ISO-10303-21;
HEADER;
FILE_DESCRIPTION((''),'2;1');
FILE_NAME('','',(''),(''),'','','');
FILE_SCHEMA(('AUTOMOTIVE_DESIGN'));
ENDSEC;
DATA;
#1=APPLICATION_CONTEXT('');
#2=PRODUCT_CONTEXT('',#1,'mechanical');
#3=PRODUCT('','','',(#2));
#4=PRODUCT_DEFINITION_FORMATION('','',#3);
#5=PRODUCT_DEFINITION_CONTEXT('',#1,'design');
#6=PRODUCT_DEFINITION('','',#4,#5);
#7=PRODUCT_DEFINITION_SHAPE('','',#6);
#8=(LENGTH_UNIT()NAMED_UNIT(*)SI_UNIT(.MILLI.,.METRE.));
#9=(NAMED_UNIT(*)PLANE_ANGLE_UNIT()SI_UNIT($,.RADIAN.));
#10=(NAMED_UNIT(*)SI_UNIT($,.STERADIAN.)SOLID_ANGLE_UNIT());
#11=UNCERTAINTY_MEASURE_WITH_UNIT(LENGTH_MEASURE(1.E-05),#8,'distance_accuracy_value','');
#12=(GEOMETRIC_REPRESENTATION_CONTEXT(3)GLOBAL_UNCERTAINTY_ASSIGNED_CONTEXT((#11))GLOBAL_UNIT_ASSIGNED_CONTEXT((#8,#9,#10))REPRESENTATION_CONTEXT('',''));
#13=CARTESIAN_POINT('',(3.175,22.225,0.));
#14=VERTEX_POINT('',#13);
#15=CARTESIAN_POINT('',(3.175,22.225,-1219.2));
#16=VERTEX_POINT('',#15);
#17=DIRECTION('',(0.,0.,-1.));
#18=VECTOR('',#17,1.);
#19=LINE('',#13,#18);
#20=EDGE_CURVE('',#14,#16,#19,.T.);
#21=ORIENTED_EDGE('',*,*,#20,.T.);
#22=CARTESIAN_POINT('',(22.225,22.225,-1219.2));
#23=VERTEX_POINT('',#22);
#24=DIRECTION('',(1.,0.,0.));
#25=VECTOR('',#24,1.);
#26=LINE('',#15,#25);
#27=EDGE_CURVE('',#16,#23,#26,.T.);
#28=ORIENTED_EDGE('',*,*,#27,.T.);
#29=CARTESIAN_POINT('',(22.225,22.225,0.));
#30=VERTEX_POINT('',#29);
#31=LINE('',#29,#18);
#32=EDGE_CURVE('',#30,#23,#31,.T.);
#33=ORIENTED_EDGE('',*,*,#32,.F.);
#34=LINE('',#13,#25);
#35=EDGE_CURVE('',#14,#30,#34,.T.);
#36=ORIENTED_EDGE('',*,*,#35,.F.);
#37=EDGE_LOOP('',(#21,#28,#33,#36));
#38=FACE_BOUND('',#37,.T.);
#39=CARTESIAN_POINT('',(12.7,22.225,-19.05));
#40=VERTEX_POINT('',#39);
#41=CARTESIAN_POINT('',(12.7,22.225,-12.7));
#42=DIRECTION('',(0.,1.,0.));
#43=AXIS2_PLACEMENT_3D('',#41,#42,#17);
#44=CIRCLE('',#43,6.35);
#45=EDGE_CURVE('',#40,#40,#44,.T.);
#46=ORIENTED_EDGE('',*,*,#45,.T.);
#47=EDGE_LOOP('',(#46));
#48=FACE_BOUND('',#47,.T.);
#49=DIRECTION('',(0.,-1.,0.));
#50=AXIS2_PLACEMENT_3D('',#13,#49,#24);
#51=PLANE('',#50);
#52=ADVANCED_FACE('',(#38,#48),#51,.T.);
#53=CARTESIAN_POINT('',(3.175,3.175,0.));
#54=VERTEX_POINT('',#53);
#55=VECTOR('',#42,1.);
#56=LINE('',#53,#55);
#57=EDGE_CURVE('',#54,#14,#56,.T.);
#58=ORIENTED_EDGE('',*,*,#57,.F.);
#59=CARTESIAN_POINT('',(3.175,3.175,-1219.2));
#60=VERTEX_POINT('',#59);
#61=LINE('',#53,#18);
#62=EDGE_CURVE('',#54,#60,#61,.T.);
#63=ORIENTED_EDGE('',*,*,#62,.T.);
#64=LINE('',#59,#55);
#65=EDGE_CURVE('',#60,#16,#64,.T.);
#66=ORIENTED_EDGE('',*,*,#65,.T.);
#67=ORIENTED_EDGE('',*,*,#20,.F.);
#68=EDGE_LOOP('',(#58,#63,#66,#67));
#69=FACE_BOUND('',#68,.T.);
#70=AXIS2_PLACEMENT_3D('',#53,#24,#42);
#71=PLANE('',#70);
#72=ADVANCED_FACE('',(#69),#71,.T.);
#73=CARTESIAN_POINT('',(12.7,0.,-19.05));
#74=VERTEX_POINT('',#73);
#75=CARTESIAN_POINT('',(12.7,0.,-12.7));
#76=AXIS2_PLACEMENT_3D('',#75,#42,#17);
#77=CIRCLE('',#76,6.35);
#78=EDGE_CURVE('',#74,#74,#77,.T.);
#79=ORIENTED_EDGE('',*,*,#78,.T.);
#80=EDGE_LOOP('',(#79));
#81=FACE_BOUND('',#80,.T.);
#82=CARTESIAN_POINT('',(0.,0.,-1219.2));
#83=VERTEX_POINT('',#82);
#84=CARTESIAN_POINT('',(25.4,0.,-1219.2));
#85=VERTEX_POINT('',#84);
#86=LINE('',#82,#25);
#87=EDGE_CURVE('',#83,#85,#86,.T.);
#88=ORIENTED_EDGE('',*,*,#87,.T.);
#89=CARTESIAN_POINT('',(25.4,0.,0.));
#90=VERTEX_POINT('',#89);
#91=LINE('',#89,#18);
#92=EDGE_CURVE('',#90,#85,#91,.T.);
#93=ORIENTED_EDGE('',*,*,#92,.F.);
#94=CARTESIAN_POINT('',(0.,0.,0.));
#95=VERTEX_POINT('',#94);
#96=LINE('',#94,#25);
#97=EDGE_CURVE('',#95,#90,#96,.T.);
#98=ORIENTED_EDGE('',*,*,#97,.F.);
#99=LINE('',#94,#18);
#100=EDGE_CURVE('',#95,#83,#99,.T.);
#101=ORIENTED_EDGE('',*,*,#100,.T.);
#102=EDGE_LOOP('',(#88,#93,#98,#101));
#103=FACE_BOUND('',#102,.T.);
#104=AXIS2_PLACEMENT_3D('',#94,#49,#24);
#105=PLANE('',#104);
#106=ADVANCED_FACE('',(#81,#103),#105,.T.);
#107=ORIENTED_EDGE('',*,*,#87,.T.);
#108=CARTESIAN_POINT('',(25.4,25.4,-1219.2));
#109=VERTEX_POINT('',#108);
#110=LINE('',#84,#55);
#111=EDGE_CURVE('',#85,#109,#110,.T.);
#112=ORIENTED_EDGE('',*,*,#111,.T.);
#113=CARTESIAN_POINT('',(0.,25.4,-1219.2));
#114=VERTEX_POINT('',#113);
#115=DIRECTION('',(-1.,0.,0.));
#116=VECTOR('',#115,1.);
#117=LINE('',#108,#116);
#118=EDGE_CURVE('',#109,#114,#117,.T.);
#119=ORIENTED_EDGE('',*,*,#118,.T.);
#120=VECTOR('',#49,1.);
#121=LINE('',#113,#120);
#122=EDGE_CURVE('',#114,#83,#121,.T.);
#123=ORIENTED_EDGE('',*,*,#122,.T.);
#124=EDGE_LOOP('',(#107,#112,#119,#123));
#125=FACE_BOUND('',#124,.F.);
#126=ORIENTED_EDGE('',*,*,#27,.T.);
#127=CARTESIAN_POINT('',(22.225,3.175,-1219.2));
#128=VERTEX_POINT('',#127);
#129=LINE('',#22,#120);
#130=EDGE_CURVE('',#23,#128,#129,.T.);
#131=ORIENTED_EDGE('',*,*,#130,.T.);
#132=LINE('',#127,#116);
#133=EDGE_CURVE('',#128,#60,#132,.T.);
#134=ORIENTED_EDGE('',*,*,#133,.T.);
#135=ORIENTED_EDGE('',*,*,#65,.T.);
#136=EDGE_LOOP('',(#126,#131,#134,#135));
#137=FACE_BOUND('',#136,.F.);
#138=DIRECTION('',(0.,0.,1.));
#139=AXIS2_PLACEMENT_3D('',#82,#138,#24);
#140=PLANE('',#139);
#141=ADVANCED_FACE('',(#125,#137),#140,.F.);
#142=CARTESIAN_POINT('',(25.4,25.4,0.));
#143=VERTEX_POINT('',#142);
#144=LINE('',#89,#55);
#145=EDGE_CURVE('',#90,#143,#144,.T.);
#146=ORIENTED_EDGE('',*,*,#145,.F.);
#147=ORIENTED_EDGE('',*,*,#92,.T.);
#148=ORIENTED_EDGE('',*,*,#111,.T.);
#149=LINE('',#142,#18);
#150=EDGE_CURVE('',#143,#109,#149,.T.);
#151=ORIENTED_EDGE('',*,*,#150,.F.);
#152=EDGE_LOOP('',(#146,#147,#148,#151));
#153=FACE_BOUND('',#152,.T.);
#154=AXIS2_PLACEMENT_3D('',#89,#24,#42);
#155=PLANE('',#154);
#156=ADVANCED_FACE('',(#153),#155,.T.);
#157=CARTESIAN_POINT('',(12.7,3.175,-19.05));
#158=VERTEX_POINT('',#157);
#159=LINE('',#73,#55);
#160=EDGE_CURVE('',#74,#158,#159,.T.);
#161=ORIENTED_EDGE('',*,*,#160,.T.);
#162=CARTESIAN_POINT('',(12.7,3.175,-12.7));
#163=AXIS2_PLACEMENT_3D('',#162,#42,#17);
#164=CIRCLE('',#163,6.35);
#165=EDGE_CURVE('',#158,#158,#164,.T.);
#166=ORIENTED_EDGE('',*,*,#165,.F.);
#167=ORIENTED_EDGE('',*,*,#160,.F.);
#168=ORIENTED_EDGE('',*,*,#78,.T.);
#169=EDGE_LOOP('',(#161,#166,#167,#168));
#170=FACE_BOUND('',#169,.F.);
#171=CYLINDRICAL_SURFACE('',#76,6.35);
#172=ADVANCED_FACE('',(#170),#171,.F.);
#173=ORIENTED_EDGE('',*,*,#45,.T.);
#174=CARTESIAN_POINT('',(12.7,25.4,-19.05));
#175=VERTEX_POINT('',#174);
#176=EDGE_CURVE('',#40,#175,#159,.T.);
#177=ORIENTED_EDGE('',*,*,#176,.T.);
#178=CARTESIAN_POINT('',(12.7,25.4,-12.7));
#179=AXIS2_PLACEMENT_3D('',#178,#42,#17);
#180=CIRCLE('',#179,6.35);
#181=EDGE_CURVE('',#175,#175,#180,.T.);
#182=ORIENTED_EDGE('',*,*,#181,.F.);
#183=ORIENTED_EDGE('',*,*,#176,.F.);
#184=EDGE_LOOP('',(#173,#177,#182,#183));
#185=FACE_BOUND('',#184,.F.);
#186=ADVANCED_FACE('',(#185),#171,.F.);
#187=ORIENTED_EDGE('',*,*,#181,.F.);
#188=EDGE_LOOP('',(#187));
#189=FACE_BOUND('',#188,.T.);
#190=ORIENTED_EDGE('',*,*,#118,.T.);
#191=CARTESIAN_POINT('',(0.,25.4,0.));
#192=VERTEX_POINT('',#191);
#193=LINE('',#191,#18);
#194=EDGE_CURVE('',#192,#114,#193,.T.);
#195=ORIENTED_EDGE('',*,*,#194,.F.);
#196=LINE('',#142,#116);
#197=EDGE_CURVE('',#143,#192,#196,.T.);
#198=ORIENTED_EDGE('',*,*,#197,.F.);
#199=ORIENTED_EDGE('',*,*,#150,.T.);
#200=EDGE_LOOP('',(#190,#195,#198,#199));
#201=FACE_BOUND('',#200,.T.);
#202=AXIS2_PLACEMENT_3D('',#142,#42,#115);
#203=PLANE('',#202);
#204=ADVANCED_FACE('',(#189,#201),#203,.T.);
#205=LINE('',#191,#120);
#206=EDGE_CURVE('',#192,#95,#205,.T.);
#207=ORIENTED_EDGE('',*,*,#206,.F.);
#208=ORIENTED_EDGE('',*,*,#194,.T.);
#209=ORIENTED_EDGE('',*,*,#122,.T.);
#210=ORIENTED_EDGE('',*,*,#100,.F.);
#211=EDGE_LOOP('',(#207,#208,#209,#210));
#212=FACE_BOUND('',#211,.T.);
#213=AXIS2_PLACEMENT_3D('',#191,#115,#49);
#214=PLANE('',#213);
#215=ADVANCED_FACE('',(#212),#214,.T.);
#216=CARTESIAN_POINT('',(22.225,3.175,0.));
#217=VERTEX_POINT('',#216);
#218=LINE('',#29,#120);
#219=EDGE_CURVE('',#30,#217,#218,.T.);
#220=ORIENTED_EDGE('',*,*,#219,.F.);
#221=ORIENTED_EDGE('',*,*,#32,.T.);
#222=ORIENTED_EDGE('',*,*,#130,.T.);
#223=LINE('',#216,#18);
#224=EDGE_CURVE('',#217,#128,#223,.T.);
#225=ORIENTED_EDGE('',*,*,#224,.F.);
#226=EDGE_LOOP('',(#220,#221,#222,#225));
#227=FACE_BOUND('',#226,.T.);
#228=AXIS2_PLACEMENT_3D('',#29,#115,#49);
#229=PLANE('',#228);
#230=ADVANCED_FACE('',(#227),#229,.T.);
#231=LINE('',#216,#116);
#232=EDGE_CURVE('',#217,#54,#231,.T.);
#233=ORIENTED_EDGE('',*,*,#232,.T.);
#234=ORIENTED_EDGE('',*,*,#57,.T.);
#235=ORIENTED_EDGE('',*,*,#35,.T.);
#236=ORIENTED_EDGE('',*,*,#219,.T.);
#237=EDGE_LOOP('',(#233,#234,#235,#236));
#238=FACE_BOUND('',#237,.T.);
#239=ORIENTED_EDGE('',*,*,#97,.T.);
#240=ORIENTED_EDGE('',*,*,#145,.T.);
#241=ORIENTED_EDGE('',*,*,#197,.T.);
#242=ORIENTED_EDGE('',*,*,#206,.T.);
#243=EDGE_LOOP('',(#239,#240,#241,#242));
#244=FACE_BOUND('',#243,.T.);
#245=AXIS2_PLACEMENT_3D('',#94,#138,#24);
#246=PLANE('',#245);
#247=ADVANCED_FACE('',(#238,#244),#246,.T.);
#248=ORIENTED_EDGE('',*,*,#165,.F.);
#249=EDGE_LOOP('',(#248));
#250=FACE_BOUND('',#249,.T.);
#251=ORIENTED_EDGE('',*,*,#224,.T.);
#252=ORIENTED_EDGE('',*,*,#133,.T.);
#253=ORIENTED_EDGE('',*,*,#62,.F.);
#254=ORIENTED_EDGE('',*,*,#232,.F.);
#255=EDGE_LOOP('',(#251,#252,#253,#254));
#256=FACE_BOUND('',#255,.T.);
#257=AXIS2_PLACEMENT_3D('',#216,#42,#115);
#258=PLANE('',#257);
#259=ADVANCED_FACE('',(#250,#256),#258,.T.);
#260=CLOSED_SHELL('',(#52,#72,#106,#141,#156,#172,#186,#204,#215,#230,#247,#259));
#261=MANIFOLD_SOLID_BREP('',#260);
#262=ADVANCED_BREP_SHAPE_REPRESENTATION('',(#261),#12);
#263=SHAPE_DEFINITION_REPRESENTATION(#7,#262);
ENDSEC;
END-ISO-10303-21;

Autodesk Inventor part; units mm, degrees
ref_plane "YZ Plane" through (0, 0, 0) normal (1, 0, 0) x (0, 1, 0)
ref_plane "XZ Plane" through (0, 0, 0) normal (0, 1, 0) x (-1, 0, 0)
ref_plane "XY Plane" through (0, 0, 0) normal (0, 0, 1) x (1, 0, 0)
sketch "Sketch1" plane through (0, 0, 0) normal (0, 0, 1) x (1, 0, 0)
  line L0 (0, 0) -> (25.4, 0)
  line L1 (25.4, 0) -> (25.4, 25.4)
  line L2 (25.4, 25.4) -> (0, 25.4)
  line L3 (0, 25.4) -> (0, 0)
  line L4 (3.175, 22.225) -> (22.225, 22.225)
  line L5 (22.225, 22.225) -> (22.225, 3.175)
  line L6 (22.225, 3.175) -> (3.175, 3.175)
  line L7 (3.175, 3.175) -> (3.175, 22.225)
  dimension "d0" = 25.4
  dimension "d1" = 25.4
  dimension "d2" = 3.175
extrude "Extrusion1" add sketch "Sketch1" against normal blind 1219.2
sketch "Sketch2" plane through (0, 0, 0) normal (0, -1, 0) x (1, 0, 0)
  line L0 (0, 0) -> (25.4, 0) projected
  point P0 (12.7, -12.7)
  dimension "d5" = 12.7
hole "Hole1" at (12.7, 0, -12.7) direction (0, 1, 0) diameter 12.7 depth 25.4 tip angle 118
properties part number "towerfrontdraft"
